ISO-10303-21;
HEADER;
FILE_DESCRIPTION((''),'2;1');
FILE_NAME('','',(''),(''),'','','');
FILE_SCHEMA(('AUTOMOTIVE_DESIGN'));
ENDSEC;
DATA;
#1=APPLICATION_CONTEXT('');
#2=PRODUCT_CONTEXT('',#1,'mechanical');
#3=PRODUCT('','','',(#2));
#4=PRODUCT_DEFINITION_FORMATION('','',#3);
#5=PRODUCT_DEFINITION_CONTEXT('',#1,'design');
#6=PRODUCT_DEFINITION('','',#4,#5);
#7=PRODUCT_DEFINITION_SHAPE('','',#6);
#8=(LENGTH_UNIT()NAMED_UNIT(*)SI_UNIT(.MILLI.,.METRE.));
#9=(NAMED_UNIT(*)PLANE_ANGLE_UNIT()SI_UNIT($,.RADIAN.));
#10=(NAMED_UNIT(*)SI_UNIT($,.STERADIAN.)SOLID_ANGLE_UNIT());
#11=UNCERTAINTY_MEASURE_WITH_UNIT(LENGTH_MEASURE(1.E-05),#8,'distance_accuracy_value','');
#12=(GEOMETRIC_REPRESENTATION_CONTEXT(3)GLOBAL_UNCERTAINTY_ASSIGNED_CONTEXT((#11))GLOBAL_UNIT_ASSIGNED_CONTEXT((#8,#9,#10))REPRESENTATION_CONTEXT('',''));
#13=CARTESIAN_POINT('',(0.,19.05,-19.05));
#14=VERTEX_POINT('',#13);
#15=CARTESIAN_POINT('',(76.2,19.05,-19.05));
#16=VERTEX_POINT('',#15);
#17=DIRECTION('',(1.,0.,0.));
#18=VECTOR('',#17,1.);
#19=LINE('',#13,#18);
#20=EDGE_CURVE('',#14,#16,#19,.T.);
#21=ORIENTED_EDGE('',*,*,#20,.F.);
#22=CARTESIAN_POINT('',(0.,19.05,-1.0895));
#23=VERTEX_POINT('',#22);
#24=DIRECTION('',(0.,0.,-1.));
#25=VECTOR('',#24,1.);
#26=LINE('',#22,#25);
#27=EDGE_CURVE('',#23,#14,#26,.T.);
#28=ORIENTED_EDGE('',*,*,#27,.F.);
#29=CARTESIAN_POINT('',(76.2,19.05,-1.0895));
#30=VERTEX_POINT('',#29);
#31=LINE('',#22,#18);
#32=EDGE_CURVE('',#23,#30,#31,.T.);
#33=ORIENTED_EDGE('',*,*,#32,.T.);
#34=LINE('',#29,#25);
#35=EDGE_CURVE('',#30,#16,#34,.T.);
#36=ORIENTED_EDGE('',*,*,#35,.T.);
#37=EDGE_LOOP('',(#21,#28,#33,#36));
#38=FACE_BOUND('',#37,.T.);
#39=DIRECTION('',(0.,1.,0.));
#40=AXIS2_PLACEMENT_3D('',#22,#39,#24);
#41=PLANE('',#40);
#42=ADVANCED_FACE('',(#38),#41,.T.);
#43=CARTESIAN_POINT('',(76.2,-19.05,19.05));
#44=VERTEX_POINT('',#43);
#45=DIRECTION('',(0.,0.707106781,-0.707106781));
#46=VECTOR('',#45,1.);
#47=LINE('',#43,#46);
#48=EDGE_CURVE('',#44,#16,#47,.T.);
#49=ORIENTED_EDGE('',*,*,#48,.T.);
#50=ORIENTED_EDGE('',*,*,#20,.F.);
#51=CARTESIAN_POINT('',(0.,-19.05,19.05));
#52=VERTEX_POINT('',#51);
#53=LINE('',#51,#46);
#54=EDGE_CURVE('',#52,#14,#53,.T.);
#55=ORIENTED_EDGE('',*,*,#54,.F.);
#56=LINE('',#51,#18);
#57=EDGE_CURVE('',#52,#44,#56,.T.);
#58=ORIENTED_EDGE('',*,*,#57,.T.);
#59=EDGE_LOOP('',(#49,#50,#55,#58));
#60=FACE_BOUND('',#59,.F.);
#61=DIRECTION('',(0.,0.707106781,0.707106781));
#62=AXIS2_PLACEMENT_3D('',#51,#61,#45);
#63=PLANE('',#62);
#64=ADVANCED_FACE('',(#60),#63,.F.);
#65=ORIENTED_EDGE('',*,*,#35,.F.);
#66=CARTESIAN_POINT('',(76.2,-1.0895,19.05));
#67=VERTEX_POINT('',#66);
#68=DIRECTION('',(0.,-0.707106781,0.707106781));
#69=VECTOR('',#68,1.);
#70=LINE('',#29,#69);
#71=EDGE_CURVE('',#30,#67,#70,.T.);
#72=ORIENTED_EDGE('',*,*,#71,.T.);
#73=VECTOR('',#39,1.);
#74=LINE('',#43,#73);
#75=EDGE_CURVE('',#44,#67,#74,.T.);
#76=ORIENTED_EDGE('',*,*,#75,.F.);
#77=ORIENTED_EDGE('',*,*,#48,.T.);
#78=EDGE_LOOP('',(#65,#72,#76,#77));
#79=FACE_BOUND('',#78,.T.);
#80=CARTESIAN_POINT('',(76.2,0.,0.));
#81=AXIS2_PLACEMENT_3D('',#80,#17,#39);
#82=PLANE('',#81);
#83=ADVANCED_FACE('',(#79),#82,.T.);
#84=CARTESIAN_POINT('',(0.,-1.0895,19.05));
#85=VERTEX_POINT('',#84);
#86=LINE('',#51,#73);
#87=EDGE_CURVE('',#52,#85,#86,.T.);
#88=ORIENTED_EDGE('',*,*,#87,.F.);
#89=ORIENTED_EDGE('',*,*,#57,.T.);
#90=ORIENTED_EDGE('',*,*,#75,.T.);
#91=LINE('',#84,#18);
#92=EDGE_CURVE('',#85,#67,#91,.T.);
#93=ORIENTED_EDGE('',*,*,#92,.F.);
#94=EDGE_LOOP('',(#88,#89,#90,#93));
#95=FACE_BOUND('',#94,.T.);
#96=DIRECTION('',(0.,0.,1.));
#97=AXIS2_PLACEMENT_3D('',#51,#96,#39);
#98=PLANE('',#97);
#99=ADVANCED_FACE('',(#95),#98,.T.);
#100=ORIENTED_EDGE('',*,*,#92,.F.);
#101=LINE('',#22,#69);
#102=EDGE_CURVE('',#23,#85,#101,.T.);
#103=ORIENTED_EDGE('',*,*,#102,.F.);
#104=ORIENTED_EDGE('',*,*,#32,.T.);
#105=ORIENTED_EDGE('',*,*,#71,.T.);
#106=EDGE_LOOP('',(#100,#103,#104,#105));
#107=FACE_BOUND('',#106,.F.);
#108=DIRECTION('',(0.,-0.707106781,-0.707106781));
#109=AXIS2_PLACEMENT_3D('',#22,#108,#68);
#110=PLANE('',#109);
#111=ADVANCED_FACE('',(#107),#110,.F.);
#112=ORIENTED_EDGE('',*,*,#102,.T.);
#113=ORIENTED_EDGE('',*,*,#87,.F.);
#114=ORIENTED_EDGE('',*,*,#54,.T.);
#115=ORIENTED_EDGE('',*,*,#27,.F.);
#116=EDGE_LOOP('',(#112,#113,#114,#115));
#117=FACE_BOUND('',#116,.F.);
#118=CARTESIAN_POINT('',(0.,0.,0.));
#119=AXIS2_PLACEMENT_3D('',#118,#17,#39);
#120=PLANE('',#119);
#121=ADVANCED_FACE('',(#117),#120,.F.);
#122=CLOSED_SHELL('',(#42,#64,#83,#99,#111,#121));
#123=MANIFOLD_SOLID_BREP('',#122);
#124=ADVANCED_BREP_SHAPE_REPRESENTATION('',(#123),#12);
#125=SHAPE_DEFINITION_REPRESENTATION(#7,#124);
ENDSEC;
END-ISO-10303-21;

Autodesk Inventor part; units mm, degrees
ref_plane "YZ Plane" through (0, 0, 0) normal (1, 0, 0) x (0, 1, 0)
ref_plane "XZ Plane" through (0, 0, 0) normal (0, 1, 0) x (-1, 0, 0)
ref_plane "XY Plane" through (0, 0, 0) normal (0, 0, 1) x (1, 0, 0)
sketch "Sketch1" plane through (0, 0, 0) normal (1, 0, 0) x (0, 1, 0)
  line L0 (19.05, 19.05) -> (-19.05, 19.05) construction
  line L1 (-19.05, 19.05) -> (-19.05, -19.05) construction
  line L2 (-19.05, -19.05) -> (19.05, -19.05) construction
  line L3 (19.05, -19.05) -> (19.05, 19.05) construction
  line L4 (19.05, 19.05) -> (-19.05, -19.05) construction
  line L5 (-19.05, 19.05) -> (19.05, -19.05) construction
  line L6 (-19.05, 19.05) -> (19.05, -19.05)
  line L7 (19.05, -1.0895) -> (-1.0895, 19.05)
  line L8 (-19.05, 19.05) -> (-1.0895, 19.05)
  line L9 (19.05, -1.0895) -> (19.05, -19.05)
  point P0 (0, 0)
  dimension "d0" = 38.1
  dimension "d1" = 38.1
  dimension "d2" = 12.7
extrude "Extrusion1" add sketch "Sketch1" along normal blind 76.2
properties part number "shelf"
